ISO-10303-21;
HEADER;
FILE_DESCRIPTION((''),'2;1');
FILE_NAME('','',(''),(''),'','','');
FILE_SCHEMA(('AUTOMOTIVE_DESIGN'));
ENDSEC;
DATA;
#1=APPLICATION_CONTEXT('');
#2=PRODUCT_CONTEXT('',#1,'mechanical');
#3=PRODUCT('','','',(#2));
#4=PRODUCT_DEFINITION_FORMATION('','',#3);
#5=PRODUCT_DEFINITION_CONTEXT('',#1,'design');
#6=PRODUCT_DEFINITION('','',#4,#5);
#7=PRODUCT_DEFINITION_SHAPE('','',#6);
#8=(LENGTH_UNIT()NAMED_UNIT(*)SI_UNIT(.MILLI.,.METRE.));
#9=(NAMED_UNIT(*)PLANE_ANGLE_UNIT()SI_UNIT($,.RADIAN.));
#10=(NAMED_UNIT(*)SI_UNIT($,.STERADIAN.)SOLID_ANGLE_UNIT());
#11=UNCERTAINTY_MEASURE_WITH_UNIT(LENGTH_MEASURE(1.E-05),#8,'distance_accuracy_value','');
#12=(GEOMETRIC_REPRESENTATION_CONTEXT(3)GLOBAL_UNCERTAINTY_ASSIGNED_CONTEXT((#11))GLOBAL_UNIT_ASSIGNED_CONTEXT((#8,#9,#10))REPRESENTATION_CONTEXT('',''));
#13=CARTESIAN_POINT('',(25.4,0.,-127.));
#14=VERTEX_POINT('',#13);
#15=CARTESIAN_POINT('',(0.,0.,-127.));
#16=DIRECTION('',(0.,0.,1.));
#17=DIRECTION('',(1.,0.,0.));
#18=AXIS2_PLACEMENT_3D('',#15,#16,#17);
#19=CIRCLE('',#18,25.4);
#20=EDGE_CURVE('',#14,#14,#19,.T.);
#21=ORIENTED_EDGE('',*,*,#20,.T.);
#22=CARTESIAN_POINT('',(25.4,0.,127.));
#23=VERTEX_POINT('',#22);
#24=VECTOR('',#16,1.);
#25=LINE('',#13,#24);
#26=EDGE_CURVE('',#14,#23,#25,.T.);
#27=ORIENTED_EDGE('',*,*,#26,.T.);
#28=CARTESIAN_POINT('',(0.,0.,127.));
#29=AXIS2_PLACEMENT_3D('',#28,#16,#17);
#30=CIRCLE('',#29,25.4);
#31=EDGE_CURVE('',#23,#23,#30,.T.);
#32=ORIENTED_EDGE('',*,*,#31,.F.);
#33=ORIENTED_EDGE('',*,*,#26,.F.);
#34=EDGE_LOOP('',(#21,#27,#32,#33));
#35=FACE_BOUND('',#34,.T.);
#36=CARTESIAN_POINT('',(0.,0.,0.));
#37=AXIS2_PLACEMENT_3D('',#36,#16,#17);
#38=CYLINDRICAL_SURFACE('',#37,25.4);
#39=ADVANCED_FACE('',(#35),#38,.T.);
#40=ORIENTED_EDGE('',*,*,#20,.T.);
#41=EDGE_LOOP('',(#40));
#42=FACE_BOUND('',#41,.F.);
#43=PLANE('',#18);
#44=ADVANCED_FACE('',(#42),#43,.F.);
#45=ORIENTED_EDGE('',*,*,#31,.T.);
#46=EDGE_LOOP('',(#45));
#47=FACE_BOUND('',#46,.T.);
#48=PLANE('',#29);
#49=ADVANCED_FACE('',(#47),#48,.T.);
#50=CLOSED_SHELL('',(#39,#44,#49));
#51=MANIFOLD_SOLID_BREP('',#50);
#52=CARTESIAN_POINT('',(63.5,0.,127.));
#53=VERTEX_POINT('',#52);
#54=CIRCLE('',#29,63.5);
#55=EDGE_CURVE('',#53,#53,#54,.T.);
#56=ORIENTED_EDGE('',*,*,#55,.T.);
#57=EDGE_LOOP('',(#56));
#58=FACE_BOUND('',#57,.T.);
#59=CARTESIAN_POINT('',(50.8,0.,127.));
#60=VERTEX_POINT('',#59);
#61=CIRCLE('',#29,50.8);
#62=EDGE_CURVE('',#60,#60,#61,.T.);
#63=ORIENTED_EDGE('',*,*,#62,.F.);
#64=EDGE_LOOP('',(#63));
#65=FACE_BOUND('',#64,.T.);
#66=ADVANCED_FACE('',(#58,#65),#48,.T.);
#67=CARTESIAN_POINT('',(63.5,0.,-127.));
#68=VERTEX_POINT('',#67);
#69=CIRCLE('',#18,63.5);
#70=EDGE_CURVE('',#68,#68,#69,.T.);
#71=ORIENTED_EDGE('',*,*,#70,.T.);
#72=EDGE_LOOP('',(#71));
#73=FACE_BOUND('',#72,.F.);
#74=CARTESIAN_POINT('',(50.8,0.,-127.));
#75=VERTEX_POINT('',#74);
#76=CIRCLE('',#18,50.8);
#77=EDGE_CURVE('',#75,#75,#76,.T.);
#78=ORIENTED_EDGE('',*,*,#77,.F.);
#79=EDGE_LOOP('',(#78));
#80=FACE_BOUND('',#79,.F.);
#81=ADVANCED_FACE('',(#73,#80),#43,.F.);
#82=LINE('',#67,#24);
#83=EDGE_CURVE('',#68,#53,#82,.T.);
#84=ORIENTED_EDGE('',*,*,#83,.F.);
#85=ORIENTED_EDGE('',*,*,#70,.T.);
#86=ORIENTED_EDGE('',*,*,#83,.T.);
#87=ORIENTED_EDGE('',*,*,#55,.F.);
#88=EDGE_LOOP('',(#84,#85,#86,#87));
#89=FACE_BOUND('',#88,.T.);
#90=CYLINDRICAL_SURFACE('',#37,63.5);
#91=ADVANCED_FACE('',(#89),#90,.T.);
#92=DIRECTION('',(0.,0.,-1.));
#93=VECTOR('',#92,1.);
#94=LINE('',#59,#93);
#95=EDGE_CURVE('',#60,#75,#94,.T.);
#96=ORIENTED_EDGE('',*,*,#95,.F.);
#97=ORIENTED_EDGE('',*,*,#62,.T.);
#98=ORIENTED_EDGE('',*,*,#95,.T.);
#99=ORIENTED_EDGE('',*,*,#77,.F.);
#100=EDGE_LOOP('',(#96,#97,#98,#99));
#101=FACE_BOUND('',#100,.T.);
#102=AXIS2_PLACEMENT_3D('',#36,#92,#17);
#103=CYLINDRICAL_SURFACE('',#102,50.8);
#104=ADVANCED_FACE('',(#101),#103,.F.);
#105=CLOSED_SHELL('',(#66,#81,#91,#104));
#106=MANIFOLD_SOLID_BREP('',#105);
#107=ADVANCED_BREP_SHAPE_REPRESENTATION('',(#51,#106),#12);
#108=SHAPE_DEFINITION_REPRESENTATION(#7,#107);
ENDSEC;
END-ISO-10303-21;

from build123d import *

# Parameters (mm, degrees)
F0_R     = 25.4
F1_DEPTH = 127
F0_R_2   = 63.5
F0_R_3   = 50.8


with BuildPart() as f1:
    # F0 (on Top) → F1 (new body, symmetric)
    with BuildSketch(Plane.XY):
        Circle(F0_R)
    extrude(amount=F1_DEPTH, both=True)


with BuildPart() as f1b:
    # F0 (on Top) → F1, piece 2 (new body, symmetric)
    with BuildSketch(Plane.XY):
        Circle(F0_R_2)
        Circle(F0_R_3, mode=Mode.SUBTRACT)
    extrude(amount=F1_DEPTH, both=True)


solid = Compound([f1.part, f1b.part])
